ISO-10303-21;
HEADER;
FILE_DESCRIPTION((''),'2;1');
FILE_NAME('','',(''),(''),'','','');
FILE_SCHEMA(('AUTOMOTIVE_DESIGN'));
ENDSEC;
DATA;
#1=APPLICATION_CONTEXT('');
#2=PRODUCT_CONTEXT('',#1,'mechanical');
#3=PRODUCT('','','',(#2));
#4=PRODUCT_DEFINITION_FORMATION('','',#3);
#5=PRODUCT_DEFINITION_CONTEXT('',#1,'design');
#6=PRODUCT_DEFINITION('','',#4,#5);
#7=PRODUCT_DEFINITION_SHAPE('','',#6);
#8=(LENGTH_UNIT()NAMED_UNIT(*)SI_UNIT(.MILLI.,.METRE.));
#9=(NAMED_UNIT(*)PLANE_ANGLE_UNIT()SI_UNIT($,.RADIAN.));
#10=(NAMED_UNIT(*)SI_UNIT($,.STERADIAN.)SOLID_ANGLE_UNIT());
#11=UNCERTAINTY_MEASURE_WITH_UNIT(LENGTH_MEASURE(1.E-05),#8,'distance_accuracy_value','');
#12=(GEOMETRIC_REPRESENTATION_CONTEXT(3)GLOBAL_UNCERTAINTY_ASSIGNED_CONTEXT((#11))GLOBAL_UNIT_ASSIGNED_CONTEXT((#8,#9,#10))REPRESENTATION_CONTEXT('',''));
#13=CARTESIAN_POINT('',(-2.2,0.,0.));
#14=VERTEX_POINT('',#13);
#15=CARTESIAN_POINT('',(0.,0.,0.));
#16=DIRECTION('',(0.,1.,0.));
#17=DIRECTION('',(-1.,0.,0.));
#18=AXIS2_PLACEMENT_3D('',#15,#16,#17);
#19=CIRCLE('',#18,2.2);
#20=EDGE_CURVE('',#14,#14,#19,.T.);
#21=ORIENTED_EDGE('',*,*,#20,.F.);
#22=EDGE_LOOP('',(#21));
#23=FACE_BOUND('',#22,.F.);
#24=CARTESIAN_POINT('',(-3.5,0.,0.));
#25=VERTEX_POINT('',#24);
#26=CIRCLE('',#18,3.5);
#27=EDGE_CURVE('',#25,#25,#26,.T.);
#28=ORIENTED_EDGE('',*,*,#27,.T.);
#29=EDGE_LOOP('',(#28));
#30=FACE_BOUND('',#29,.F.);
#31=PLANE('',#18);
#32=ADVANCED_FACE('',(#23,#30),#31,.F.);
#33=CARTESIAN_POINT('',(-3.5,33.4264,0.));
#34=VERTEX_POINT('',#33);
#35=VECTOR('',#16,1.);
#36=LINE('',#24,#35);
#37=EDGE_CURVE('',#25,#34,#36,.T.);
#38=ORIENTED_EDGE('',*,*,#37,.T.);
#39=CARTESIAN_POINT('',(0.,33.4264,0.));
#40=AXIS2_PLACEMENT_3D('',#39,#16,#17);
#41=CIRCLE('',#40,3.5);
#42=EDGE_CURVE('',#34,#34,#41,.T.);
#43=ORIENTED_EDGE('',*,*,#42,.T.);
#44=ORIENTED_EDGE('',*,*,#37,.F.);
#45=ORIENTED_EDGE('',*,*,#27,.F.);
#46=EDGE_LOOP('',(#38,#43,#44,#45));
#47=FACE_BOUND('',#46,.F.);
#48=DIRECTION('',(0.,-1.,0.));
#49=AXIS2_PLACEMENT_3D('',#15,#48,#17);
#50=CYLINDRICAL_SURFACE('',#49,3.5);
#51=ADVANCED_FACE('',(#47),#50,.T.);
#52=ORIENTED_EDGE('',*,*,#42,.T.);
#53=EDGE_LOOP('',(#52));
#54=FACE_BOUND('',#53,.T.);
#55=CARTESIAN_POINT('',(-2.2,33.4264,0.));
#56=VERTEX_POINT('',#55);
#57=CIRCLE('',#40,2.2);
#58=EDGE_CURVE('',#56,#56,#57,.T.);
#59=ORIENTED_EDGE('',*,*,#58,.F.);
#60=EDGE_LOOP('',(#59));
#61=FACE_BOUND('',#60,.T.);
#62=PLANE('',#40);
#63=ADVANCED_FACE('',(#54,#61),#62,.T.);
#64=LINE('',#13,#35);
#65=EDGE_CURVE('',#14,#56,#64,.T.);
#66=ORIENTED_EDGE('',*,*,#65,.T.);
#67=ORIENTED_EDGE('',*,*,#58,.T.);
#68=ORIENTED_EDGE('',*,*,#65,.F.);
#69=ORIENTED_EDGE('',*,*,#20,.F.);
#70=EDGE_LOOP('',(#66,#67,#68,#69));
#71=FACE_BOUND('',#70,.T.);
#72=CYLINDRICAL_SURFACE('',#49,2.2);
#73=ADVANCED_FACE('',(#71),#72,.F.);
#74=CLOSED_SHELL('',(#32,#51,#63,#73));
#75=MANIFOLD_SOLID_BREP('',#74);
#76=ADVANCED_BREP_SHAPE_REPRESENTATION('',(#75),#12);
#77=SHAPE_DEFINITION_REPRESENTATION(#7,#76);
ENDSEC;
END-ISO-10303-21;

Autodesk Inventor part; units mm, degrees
ref_plane "YZ Plane" through (0, 0, 0) normal (1, 0, 0) x (0, 1, 0)
ref_plane "XZ Plane" through (0, 0, 0) normal (0, 1, 0) x (-1, 0, 0)
ref_plane "XY Plane" through (0, 0, 0) normal (0, 0, 1) x (1, 0, 0)
sketch "Sketch1" plane through (0, 0, 0) normal (0, 1, 0) x (-1, 0, 0)
  circle A0 centre (0, 0) radius 3.5
  circle A1 centre (0, 0) radius 2.2
  dimension "d0" = 7
  dimension "d1" = 4.4
extrude "Extrusion1" add sketch "Sketch1" along normal blind 33.4264
properties part number "m4 x 1_316 spacer"
